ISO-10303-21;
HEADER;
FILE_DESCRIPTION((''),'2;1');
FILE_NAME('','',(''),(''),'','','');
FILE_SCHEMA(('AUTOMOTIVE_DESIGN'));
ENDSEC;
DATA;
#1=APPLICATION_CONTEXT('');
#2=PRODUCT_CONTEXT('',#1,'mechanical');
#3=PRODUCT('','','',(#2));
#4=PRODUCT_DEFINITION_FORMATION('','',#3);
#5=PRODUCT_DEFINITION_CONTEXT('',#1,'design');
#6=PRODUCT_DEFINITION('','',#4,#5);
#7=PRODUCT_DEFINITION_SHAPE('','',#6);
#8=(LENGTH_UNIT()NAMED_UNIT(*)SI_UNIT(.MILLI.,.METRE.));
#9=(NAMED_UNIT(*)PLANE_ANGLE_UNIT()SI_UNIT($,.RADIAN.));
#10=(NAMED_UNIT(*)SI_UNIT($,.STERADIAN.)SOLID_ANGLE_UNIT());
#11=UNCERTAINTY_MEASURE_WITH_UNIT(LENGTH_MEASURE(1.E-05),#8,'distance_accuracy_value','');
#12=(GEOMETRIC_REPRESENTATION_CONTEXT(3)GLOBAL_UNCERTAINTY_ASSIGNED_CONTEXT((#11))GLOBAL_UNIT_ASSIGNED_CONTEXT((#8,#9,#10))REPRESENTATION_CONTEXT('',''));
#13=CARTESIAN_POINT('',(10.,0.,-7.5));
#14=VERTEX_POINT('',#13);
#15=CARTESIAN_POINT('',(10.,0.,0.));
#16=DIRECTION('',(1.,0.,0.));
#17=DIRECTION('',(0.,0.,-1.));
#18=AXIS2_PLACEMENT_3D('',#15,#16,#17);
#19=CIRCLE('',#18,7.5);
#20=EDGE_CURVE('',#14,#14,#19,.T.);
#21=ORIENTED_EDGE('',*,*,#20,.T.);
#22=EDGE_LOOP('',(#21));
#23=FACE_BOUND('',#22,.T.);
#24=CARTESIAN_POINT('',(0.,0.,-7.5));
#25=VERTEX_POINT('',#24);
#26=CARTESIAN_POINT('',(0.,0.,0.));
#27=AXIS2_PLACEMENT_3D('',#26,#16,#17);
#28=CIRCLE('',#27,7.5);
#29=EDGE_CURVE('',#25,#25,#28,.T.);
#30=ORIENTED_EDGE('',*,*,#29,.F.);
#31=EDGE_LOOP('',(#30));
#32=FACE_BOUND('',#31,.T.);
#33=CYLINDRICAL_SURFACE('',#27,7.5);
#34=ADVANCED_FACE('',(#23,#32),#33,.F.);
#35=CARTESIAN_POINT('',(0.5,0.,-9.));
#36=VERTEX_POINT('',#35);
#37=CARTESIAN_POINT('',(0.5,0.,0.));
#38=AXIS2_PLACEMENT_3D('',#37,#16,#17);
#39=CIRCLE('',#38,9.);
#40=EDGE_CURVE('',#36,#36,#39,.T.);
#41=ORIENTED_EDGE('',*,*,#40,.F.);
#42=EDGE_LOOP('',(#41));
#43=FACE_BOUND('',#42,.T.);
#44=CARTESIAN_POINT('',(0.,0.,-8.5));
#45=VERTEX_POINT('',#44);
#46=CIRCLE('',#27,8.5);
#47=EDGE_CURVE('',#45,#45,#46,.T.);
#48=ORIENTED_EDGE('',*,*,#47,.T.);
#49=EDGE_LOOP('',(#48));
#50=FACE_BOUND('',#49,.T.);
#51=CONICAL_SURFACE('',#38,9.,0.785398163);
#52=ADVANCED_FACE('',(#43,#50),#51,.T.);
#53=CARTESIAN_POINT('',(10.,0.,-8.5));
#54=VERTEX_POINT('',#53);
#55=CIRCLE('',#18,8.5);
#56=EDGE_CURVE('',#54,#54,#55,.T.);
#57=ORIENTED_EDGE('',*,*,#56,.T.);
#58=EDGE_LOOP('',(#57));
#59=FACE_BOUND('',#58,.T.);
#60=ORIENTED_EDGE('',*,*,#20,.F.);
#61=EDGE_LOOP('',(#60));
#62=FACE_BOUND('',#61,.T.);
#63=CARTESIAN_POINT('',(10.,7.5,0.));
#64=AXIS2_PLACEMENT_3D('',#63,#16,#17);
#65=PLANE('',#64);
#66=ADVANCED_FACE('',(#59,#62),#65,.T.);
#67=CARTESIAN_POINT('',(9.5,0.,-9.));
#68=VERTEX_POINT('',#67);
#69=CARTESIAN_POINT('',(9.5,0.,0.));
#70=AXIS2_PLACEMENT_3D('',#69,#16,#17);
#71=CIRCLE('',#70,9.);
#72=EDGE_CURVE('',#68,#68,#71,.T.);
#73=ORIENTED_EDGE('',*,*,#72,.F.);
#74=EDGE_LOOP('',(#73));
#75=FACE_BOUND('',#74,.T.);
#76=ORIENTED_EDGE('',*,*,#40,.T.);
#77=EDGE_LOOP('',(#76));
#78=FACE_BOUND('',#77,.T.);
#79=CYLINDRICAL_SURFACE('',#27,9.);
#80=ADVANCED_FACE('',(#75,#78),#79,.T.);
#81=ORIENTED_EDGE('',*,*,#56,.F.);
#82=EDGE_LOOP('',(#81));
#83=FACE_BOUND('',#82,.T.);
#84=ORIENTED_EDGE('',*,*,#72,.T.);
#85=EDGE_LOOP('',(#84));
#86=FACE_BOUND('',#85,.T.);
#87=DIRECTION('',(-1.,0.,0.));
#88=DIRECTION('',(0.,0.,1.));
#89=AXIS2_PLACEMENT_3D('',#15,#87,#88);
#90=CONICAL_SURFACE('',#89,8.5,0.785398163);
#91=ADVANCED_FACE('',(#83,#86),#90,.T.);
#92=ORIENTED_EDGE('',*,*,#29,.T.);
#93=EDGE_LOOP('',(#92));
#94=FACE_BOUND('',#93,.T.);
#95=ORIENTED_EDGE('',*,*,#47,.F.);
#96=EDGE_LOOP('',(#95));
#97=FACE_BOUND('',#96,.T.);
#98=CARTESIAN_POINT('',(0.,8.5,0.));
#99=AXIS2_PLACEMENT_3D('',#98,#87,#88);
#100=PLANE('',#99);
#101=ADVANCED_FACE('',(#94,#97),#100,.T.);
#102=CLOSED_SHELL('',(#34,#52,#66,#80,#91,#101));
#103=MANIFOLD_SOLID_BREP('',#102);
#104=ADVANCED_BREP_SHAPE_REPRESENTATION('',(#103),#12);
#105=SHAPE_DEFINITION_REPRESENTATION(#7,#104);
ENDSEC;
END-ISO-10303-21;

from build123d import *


with BuildPart() as part:
    # Sketch1 → Revolve1 (revolve)
    with BuildSketch(Plane.XY, mode=Mode.PRIVATE) as revolve1_sk:
        Polygon((0, 8.5), (0, 7.5), (10, 7.5), (10, 8.5), (9.5, 9), (0.5, 9), align=None)
    revolve(revolve1_sk.sketch.rotate(Axis((0, 0, 0), (1, 0, 0)), 270), axis=Axis((0, 0, 0), (1, 0, 0)))


solid = part.part
